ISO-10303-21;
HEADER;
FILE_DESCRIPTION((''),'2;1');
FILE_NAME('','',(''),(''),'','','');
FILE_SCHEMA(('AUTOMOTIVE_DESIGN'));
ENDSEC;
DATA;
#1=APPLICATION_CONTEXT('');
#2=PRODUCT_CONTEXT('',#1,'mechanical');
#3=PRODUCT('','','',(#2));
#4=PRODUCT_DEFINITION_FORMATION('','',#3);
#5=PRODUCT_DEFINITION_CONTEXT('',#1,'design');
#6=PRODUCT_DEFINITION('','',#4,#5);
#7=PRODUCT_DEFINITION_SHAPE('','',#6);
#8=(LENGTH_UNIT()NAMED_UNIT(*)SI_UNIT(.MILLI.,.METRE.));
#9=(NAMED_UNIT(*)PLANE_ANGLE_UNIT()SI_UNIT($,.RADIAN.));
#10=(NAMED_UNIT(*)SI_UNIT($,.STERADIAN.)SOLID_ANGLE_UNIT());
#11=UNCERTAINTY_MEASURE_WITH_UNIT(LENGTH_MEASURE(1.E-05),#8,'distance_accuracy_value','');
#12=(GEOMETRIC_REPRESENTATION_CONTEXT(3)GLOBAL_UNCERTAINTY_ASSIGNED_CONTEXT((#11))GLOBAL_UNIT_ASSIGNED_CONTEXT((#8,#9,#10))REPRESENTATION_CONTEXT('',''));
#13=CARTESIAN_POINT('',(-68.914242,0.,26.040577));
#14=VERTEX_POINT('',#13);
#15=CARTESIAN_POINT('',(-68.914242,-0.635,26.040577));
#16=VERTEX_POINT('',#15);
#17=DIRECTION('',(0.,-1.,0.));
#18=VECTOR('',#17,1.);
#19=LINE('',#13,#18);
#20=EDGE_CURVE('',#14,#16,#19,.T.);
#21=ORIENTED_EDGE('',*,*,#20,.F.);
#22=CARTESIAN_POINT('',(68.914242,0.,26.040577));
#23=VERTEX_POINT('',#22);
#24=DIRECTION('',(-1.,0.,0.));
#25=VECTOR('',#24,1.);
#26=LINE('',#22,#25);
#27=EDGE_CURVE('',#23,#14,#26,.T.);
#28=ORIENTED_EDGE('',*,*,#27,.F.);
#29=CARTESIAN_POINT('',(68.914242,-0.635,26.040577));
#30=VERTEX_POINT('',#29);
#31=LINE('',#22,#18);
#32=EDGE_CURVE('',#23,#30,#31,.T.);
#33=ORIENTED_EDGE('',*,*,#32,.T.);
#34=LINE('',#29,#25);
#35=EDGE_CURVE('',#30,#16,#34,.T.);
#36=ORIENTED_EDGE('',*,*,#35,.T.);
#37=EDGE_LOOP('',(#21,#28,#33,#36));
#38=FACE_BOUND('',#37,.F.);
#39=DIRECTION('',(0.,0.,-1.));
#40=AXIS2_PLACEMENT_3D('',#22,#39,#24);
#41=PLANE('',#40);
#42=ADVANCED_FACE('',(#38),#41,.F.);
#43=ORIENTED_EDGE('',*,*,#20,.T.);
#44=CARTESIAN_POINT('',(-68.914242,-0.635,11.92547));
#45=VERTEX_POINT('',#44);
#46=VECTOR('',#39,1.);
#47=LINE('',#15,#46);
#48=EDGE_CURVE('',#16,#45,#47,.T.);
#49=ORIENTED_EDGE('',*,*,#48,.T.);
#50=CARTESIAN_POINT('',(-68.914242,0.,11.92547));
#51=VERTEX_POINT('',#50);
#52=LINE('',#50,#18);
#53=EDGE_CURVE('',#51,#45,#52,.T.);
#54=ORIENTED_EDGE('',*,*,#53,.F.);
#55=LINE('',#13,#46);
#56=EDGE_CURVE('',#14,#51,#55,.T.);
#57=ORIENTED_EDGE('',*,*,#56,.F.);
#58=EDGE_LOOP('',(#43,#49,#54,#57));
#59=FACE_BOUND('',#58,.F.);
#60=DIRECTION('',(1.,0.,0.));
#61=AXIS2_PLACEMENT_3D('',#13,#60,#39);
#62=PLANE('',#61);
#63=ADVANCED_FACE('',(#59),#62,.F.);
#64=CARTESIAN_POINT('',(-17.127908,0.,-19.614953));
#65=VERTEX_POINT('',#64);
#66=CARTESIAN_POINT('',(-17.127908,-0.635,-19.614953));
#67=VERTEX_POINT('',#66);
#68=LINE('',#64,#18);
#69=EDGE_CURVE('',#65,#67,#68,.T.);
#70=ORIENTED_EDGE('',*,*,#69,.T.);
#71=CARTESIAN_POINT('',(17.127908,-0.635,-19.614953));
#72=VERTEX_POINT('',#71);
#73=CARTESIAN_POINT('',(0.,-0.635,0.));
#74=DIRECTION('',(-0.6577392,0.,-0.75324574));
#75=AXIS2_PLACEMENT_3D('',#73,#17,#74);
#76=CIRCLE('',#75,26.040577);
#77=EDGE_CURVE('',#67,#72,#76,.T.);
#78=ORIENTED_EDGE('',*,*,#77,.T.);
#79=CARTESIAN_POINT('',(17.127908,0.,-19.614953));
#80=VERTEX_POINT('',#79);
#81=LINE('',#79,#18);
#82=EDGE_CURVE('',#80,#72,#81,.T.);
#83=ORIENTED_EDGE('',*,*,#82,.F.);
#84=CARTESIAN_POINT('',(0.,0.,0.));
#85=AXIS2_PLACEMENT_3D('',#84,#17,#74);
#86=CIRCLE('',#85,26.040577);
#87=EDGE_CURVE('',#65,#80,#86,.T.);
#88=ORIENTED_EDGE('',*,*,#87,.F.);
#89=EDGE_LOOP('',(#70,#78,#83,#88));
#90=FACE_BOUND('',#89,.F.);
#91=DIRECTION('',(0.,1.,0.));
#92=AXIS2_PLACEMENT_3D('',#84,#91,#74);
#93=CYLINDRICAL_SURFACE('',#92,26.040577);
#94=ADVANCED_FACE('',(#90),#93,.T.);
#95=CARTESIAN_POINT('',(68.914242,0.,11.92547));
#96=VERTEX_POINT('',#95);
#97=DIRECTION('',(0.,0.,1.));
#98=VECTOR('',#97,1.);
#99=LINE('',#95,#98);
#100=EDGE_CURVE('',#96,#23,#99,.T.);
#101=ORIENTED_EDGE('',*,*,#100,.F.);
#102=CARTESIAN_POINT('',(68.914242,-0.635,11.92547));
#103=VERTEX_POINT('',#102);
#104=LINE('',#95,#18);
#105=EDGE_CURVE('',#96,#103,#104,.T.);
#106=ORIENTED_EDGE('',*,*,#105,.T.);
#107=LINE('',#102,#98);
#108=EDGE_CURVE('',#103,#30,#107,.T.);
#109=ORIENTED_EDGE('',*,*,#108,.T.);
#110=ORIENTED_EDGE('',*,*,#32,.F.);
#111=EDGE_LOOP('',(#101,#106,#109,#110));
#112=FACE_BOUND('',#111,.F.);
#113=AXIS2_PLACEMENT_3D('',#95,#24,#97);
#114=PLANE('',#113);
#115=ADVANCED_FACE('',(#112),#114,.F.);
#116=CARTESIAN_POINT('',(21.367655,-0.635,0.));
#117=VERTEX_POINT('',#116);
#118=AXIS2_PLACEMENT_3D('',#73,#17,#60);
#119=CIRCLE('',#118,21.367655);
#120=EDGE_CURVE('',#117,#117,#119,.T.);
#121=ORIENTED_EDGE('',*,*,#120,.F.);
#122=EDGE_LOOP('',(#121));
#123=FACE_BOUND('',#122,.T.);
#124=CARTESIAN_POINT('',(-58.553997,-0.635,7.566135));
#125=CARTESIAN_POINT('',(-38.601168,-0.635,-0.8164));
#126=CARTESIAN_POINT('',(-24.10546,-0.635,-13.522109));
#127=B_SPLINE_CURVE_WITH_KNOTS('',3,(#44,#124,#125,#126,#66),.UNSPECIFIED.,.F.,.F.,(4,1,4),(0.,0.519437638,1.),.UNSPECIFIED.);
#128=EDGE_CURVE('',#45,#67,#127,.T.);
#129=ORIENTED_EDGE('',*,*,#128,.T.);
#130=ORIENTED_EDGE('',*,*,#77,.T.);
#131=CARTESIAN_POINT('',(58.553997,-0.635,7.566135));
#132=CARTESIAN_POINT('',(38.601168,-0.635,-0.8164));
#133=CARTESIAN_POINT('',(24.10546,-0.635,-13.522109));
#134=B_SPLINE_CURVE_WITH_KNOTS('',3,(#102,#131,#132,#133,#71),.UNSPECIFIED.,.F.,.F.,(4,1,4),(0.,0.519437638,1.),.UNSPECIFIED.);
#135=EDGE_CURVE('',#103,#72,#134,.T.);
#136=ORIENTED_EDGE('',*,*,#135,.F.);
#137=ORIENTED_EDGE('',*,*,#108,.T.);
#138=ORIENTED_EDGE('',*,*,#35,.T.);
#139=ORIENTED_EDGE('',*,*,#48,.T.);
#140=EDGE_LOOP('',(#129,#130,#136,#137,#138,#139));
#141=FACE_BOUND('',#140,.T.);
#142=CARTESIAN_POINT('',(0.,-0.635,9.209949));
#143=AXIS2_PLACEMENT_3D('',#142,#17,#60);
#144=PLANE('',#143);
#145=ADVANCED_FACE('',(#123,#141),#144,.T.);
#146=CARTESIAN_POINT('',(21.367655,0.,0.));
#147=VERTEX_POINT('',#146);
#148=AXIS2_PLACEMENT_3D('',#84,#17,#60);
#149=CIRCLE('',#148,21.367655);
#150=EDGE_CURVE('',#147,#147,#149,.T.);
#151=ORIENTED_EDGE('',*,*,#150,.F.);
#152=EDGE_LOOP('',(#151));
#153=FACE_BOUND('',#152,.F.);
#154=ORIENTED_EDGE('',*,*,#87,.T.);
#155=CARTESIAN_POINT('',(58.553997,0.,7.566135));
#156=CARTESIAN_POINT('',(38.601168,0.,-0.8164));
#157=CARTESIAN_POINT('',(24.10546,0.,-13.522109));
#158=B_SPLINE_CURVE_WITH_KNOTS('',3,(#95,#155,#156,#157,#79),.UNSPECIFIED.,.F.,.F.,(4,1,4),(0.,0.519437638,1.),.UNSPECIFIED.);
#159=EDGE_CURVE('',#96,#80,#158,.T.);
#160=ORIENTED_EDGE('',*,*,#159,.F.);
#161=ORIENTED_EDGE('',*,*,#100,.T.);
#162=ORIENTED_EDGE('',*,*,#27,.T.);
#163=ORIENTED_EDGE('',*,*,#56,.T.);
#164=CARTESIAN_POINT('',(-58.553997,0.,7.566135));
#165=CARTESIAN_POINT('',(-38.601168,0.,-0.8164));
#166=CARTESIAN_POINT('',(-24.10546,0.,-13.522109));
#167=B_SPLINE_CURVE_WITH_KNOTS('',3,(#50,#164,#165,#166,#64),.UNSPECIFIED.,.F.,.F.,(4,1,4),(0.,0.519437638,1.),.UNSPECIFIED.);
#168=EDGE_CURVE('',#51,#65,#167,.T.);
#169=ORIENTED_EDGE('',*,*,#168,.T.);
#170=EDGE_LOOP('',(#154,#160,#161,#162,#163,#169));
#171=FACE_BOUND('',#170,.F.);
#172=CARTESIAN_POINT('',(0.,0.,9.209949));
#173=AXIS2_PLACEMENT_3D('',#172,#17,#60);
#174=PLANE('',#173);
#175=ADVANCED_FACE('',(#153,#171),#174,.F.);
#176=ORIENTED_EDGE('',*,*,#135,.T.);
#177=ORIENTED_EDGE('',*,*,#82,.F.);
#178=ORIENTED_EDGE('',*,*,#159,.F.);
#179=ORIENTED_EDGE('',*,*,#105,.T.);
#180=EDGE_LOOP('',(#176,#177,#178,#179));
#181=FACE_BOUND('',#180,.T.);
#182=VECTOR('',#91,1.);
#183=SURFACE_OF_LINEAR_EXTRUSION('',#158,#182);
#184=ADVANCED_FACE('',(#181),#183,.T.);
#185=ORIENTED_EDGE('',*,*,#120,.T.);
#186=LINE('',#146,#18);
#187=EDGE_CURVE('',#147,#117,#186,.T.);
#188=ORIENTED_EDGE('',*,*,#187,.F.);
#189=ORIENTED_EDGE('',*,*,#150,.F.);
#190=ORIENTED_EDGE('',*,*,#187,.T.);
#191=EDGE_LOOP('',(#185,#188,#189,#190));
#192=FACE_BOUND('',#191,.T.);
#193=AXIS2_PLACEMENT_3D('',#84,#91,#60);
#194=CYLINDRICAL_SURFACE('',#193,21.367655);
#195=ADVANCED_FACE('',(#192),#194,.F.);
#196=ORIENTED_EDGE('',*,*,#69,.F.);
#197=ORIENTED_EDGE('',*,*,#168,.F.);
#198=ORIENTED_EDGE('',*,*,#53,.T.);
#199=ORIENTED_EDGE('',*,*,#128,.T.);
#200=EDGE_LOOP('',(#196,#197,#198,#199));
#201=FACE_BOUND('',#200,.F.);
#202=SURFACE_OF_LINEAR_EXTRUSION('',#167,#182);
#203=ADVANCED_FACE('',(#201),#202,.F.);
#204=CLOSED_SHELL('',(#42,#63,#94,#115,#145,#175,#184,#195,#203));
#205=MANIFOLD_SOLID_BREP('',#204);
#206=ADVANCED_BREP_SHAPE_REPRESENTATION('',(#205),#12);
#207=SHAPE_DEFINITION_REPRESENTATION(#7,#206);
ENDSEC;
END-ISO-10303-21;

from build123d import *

# Parameters (mm, degrees)
F0_R     = 21.3676548909
F1_DEPTH = 0.635


with BuildPart() as f1:
    # F0 (on Front) → F1 (new body)
    with BuildSketch(Plane.XZ):
        with BuildLine():
            Line((68.9142415212, 26.0405766578), (0, 26.0405766578))
            Line((0, 26.0405766578), (-68.9142415212, 26.0405766578))
            Line((-68.9142415212, 26.0405766578), (-68.9142415212, 11.925470218))
            add(Edge.make_bspline(
                [(-68.9142415212, 11.925470218), (-58.5539967516, 7.5661347342), (-38.6011677749, -0.8164003994), (-24.1054599416, -13.5221086271), (-17.1279080613, -19.6149534313)],
                knots=[0, 0, 0, 0, 0.5194376377, 1, 1, 1, 1], degree=3))
            ThreePointArc((-17.1279080613, -19.6149534313), (0, -26.0405766578), (17.1279080613, -19.6149534313))
            add(Edge.make_bspline(
                [(68.9142415212, 11.925470218), (58.5539967516, 7.5661347342), (38.6011677749, -0.8164003994), (24.1054599416, -13.5221086271), (17.1279080613, -19.6149534313)],
                knots=[0, 0, 0, 0, 0.5194376377, 1, 1, 1, 1], degree=3))
            Line((68.9142415212, 11.925470218), (68.9142415212, 26.0405766578))
        make_face()
        Circle(F0_R, mode=Mode.SUBTRACT)
    extrude(amount=F1_DEPTH)


solid = f1.part
